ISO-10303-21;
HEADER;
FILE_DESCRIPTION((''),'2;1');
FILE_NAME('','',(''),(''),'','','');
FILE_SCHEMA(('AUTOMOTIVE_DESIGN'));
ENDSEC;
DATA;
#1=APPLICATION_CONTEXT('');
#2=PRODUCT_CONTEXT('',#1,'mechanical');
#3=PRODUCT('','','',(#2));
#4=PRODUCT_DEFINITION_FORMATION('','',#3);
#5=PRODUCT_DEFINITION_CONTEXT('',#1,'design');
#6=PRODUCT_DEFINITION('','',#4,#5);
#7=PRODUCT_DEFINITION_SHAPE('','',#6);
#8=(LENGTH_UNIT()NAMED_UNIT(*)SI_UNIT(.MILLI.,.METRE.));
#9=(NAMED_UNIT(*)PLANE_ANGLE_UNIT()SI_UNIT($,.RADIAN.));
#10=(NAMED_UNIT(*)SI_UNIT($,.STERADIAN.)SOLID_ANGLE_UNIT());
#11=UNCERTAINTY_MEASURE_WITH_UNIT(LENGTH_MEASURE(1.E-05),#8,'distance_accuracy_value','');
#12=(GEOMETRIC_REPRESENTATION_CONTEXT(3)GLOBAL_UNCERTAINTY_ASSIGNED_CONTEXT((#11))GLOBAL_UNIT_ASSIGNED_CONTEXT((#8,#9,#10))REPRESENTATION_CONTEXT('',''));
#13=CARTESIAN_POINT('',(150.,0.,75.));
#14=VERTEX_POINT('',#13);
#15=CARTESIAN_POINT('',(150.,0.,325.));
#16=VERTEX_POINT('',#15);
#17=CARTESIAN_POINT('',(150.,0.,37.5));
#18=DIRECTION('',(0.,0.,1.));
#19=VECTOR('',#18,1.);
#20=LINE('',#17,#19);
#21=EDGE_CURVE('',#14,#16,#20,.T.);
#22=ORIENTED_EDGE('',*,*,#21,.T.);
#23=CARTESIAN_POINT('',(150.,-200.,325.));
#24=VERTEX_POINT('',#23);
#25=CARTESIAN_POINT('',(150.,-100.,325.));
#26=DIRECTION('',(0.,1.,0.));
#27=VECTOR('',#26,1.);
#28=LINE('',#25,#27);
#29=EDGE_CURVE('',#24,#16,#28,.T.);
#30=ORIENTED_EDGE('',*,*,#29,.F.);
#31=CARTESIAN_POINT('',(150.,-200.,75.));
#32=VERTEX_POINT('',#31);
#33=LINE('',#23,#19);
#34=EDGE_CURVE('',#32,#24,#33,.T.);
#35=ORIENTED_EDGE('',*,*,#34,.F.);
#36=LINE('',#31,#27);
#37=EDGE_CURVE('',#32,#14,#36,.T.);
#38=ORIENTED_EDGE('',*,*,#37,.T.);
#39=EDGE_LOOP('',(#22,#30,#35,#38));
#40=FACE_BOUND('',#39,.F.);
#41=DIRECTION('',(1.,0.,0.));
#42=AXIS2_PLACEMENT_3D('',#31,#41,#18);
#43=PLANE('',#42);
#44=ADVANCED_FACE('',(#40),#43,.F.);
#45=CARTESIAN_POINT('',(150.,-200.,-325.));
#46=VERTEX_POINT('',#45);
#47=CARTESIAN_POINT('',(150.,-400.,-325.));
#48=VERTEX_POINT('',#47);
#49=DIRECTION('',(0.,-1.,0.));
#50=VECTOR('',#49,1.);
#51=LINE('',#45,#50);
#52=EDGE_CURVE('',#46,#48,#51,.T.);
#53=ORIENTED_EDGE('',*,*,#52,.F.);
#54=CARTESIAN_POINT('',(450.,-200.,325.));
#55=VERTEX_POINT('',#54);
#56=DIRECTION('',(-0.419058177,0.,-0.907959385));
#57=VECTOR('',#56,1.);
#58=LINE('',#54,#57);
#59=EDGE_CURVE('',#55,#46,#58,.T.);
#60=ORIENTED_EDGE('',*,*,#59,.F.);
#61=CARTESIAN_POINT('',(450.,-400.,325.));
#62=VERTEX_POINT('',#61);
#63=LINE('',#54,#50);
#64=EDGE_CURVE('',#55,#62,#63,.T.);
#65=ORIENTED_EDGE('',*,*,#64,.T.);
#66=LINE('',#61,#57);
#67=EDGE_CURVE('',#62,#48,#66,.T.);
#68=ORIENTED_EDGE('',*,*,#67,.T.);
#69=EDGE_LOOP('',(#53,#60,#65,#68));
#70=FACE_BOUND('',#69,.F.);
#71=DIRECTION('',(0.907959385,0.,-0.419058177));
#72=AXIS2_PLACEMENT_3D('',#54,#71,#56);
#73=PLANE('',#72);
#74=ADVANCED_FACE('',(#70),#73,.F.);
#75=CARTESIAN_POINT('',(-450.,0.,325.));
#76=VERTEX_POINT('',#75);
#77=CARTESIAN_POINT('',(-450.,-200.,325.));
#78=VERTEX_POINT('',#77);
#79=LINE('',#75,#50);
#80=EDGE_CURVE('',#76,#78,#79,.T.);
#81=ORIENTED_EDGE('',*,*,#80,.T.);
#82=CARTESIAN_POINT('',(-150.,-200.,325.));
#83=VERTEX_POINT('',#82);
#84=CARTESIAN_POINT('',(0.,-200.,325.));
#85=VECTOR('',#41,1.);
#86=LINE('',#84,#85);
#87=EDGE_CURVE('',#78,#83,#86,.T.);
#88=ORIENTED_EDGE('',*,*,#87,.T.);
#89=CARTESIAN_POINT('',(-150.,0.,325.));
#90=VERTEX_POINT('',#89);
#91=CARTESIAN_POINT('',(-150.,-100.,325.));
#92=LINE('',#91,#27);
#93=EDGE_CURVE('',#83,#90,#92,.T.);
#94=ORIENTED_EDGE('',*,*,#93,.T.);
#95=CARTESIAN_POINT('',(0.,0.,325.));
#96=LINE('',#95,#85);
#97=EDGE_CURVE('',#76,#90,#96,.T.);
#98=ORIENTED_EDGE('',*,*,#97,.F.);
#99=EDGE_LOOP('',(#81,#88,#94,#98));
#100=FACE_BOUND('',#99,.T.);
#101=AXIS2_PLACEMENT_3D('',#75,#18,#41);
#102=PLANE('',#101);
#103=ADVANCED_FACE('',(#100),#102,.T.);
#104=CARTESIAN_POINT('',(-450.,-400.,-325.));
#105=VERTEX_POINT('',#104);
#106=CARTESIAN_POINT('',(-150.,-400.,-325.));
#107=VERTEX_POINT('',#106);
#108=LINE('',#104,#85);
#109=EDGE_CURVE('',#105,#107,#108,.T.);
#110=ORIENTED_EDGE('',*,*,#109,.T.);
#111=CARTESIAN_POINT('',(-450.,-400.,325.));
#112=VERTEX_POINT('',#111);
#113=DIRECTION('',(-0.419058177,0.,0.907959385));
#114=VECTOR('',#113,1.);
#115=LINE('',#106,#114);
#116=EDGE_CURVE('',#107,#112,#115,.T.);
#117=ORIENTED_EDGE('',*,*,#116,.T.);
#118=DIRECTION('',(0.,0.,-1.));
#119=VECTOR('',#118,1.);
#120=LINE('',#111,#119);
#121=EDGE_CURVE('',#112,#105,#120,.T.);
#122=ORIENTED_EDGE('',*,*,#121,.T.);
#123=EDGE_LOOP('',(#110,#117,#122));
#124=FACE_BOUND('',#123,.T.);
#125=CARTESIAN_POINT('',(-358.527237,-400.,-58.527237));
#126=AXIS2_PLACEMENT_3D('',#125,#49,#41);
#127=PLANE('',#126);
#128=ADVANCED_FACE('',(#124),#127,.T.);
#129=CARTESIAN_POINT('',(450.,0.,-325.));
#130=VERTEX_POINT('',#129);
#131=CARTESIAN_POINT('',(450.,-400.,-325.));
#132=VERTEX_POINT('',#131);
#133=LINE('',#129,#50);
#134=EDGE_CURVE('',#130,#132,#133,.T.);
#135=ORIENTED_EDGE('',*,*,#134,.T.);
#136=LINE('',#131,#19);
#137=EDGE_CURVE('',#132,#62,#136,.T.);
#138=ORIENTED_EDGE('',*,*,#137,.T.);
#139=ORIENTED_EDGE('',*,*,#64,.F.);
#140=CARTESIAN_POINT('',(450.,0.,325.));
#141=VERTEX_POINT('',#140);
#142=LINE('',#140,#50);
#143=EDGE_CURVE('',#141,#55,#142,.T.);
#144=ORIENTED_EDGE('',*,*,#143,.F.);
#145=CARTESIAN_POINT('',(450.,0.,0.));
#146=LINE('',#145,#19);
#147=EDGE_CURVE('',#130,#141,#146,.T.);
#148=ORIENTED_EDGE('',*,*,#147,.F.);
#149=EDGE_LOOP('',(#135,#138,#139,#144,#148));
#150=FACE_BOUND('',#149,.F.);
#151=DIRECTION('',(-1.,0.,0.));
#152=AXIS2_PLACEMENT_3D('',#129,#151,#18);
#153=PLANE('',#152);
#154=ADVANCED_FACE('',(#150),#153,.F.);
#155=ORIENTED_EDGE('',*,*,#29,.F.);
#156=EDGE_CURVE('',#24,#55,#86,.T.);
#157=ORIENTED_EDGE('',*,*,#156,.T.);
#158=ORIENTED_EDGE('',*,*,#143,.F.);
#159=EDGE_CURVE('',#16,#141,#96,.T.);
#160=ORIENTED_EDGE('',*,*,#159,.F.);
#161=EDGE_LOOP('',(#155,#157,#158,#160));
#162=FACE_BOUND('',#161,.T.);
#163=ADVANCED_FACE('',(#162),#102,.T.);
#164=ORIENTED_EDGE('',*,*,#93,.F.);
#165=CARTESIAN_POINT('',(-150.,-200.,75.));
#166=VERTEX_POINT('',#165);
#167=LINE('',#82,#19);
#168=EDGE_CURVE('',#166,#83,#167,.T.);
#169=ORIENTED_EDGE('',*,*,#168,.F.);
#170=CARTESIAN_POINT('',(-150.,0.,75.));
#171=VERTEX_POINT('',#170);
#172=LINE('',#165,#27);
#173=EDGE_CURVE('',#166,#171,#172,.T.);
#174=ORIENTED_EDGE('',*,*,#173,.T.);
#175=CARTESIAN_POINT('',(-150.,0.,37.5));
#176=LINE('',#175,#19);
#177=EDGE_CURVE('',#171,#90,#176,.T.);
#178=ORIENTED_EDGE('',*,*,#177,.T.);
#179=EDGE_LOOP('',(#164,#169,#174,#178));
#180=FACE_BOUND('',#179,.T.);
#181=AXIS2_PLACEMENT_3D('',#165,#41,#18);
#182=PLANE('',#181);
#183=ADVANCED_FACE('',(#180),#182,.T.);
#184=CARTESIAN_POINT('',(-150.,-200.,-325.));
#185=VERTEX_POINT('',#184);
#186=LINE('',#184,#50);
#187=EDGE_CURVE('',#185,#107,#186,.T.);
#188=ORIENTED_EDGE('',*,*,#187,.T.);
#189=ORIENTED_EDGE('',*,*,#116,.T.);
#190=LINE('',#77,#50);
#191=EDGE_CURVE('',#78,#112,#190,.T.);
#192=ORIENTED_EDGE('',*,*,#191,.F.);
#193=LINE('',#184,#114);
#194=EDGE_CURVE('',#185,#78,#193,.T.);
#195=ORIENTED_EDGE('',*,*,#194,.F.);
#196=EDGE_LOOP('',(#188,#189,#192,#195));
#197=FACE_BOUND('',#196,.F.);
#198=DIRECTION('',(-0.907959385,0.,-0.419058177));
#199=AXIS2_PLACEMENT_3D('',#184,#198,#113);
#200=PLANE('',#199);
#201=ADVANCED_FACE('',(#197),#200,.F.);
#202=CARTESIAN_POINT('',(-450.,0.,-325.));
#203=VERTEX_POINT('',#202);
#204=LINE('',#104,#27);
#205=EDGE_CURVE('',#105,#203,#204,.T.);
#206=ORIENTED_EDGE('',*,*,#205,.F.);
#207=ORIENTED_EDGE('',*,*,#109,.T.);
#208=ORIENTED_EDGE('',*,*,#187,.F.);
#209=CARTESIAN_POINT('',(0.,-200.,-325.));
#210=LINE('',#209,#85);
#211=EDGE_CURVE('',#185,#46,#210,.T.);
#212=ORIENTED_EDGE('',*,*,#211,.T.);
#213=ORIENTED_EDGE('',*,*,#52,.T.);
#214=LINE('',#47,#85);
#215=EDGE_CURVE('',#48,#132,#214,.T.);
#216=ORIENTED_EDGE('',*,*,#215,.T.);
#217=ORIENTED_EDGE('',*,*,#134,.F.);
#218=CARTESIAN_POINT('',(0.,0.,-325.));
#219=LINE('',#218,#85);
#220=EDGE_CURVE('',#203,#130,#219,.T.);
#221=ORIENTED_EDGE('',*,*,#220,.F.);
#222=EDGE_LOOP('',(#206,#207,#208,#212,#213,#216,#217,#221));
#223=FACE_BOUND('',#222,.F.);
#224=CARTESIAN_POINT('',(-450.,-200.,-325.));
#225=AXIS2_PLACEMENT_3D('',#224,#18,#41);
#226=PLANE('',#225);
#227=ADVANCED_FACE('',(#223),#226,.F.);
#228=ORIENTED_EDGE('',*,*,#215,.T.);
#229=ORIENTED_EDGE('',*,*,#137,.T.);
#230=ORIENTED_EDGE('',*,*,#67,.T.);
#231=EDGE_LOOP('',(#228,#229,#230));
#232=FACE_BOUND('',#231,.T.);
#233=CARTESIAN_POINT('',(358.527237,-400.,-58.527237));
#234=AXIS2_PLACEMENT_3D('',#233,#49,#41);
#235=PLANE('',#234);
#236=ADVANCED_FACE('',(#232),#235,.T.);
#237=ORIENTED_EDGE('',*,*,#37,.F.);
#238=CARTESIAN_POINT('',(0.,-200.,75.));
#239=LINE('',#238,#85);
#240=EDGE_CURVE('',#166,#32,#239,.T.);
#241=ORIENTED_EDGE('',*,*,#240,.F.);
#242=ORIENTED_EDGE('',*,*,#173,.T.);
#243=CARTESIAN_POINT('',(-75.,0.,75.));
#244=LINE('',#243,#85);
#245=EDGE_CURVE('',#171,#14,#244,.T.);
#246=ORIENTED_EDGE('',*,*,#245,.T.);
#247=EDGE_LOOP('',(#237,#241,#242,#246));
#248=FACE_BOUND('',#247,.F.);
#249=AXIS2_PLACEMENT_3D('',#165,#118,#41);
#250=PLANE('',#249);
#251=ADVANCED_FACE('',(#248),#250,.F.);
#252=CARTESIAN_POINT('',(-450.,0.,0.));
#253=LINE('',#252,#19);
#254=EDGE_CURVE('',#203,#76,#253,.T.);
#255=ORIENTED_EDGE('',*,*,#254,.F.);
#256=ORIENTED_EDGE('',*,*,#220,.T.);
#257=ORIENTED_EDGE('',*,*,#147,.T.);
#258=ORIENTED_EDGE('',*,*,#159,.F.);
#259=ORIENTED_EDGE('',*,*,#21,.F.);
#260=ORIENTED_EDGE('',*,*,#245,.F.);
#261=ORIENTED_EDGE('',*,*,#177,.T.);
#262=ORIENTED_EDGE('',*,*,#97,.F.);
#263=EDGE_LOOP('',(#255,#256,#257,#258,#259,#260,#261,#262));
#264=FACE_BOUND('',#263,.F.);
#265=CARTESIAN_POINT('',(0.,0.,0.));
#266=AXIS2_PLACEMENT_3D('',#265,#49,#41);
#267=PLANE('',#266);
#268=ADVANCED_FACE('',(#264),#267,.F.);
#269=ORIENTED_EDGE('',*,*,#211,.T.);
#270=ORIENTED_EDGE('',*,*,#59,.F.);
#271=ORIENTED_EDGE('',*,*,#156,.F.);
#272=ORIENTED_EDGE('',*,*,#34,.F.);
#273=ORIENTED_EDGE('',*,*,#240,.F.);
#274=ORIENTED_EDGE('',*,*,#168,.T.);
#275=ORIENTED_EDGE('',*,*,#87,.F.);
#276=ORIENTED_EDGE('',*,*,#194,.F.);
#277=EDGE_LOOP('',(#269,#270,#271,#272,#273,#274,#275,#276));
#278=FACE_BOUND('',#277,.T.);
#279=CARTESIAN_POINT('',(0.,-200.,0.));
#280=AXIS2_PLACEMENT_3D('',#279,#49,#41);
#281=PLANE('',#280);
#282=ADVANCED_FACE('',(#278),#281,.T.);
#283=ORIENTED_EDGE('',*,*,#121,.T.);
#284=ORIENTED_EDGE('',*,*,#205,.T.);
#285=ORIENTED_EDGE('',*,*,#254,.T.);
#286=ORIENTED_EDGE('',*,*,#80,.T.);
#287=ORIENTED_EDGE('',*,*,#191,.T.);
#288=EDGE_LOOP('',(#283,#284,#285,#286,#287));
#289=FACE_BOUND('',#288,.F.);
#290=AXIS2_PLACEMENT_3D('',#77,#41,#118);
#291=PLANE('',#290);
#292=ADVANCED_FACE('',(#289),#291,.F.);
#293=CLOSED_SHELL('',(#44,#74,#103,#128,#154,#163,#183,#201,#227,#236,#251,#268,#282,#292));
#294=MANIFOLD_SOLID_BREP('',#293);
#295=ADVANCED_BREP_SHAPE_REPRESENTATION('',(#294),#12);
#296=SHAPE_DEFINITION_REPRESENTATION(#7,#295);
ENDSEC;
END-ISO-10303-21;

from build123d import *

# Parameters (mm, degrees)
F0_W     = 900
F0_H     = 650
F1_DEPTH = 200
F2_W     = 300
F2_H     = 500
F3_DEPTH = 200.001
F5_DEPTH = 200


with BuildPart() as f1:
    # F0 (on Front) → F1 (new body)
    with BuildSketch(Plane.XZ):
        Rectangle(F0_W, F0_H)
    extrude(amount=F1_DEPTH)

    # F2 (on face) → F3 (cut, through all)
    with BuildSketch(Plane.XZ.offset(200)):
        with Locations((0, 325)):
            Rectangle(F2_W, F2_H)
    extrude(amount=-F3_DEPTH, mode=Mode.SUBTRACT)

    # F4 (on face) → F5 (join)
    with BuildSketch(Plane.XZ.offset(200)):
        Polygon((-150, -325), (-450, 325), (-450, -325), align=None)
        Polygon((450, -325), (450, 325), (150, -325), align=None)
    extrude(amount=F5_DEPTH)


solid = f1.part
